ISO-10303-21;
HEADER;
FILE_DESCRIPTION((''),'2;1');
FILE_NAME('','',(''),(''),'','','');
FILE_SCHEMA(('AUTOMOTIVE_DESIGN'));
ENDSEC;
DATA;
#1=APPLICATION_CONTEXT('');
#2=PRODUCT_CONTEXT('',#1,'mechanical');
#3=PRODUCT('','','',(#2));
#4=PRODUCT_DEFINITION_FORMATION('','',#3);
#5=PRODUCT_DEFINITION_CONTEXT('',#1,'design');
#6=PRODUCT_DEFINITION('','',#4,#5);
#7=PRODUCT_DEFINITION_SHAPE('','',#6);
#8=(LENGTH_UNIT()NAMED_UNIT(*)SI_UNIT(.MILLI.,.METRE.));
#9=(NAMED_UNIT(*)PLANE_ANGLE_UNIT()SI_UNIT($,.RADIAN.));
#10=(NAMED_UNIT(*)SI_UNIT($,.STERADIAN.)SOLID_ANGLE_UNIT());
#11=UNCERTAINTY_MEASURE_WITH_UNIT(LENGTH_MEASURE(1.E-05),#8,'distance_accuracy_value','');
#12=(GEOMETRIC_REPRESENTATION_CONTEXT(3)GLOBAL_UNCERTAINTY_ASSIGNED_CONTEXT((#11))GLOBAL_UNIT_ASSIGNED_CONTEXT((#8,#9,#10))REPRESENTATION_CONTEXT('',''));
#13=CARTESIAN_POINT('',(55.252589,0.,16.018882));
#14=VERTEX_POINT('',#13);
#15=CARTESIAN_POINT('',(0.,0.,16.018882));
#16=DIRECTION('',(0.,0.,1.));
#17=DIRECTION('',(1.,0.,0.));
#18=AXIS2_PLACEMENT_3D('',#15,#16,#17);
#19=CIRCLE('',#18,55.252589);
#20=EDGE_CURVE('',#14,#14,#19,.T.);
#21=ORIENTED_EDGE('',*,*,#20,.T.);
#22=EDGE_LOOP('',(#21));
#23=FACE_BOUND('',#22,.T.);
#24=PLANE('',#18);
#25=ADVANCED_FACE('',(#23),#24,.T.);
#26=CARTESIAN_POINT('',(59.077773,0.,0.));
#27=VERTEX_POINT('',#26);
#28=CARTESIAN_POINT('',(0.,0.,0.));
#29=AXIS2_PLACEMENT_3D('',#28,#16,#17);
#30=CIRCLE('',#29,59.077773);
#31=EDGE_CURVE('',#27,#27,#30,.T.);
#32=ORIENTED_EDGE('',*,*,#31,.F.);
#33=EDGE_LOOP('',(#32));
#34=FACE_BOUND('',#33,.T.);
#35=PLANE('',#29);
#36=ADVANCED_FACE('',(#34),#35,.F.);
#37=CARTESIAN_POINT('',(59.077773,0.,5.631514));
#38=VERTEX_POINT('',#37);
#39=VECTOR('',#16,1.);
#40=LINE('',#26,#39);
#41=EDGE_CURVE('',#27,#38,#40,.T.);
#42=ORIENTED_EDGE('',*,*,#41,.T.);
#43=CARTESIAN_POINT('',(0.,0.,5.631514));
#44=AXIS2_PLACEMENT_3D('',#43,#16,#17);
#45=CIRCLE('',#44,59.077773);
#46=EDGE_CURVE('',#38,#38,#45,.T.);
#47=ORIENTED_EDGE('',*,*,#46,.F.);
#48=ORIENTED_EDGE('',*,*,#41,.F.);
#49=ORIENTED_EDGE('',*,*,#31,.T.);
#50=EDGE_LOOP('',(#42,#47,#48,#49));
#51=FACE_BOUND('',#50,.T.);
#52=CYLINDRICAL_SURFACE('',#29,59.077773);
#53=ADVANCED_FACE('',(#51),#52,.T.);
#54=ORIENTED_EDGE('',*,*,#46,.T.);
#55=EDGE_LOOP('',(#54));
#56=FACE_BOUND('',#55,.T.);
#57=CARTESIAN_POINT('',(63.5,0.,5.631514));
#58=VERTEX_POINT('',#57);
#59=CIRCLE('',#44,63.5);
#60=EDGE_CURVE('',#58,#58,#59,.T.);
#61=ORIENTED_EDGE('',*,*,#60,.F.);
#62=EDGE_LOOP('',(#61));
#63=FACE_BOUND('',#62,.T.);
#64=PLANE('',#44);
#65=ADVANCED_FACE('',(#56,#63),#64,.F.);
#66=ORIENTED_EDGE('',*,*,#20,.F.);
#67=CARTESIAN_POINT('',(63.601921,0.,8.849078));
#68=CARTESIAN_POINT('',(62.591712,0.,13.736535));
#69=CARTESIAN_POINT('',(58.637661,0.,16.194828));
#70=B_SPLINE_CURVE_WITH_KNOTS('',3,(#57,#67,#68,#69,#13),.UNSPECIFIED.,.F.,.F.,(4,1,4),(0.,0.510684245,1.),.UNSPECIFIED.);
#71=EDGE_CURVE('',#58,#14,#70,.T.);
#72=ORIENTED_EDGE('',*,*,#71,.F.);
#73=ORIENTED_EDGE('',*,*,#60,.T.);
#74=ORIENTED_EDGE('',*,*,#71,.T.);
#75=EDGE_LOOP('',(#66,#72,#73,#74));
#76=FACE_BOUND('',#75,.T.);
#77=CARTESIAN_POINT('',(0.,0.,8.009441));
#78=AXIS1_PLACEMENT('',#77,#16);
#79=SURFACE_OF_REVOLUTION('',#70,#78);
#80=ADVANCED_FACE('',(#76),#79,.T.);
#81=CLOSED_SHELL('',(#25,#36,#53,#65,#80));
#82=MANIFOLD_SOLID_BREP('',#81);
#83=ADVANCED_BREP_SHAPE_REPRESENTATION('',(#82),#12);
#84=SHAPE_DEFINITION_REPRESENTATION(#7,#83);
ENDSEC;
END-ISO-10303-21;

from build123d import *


with BuildPart() as f1:
    # F0 (on Front) → F1 (revolve)
    with BuildSketch(Plane.XZ):
        with BuildLine():
            Line((0, 16.0188824902), (0, 0))
            Line((0, 0), (59.0777732432, 0))
            Line((59.0777732432, 0), (59.0777732432, 5.6315143593))
            Line((59.0777732432, 5.6315143593), (63.5, 5.6315143593))
            add(Edge.make_bspline(
                [(63.5, 5.6315143593), (63.6019211188, 8.8490775017), (62.591711978, 13.7365353355), (58.6376608616, 16.194827859), (55.2525892854, 16.0188824902)],
                knots=[0, 0, 0, 0, 0.5106842452, 1, 1, 1, 1], degree=3))
            Line((55.2525892854, 16.0188824902), (0, 16.0188824902))
        make_face()
    revolve(axis=Axis((0, 0, 8.0094412451), (0, 0, 1)))


solid = f1.part
